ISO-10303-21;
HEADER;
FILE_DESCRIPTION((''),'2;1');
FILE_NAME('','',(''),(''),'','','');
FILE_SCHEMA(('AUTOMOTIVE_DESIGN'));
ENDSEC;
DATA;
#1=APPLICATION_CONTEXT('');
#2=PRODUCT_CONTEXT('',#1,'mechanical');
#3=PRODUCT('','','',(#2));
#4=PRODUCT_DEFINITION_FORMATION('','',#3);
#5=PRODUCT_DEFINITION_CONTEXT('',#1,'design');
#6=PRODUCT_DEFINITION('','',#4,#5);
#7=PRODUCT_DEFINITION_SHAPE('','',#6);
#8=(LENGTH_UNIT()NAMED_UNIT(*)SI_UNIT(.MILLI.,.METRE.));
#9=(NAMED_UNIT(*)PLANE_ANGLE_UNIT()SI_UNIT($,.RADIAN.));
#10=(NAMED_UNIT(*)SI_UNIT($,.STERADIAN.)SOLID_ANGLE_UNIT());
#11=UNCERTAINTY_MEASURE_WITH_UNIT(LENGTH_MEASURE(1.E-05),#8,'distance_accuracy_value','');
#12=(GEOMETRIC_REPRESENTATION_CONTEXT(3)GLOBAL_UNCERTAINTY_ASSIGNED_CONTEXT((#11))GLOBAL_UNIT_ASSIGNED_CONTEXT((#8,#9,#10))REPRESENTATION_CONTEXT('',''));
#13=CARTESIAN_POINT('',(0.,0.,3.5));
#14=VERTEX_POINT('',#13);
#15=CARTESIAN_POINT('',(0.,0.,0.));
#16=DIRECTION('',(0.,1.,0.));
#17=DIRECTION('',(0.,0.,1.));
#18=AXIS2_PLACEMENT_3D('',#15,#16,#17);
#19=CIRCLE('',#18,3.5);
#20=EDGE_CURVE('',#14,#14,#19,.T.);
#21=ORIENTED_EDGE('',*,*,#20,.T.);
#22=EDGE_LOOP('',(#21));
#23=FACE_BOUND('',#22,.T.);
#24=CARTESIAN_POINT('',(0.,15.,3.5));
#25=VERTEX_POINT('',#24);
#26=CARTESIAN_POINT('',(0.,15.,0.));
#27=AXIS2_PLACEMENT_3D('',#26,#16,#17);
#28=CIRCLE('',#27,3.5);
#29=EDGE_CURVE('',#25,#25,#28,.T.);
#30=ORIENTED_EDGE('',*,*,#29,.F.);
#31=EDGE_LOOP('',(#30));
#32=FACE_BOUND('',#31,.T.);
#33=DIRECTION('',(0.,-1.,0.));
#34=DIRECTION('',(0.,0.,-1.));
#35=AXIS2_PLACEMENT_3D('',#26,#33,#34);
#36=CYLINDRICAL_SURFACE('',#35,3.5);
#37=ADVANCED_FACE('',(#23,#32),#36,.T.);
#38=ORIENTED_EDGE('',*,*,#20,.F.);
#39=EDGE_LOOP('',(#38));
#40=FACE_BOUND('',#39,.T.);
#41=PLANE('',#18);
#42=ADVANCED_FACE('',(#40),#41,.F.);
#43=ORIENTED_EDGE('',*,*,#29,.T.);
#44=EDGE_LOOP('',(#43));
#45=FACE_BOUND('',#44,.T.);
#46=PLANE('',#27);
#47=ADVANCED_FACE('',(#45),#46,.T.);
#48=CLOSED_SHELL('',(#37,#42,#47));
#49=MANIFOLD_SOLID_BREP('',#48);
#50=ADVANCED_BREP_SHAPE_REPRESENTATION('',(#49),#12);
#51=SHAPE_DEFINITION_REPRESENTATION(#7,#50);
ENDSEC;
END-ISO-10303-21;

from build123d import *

# Parameters (mm, degrees)
SKETCH1_R           = 3.5
BOSS_EXTRUDE1_DEPTH = 15


with BuildPart() as part:
    # Sketch1 → Boss-Extrude1 (new body)
    with BuildSketch(Plane(origin=(0, 0, 0), x_dir=(1, 0, 0), z_dir=(0, 1, 0))):
        with Locations(Location((0, 0, 0), (0, 0, 270))):
            Circle(SKETCH1_R)
    extrude(amount=BOSS_EXTRUDE1_DEPTH)


solid = part.part
